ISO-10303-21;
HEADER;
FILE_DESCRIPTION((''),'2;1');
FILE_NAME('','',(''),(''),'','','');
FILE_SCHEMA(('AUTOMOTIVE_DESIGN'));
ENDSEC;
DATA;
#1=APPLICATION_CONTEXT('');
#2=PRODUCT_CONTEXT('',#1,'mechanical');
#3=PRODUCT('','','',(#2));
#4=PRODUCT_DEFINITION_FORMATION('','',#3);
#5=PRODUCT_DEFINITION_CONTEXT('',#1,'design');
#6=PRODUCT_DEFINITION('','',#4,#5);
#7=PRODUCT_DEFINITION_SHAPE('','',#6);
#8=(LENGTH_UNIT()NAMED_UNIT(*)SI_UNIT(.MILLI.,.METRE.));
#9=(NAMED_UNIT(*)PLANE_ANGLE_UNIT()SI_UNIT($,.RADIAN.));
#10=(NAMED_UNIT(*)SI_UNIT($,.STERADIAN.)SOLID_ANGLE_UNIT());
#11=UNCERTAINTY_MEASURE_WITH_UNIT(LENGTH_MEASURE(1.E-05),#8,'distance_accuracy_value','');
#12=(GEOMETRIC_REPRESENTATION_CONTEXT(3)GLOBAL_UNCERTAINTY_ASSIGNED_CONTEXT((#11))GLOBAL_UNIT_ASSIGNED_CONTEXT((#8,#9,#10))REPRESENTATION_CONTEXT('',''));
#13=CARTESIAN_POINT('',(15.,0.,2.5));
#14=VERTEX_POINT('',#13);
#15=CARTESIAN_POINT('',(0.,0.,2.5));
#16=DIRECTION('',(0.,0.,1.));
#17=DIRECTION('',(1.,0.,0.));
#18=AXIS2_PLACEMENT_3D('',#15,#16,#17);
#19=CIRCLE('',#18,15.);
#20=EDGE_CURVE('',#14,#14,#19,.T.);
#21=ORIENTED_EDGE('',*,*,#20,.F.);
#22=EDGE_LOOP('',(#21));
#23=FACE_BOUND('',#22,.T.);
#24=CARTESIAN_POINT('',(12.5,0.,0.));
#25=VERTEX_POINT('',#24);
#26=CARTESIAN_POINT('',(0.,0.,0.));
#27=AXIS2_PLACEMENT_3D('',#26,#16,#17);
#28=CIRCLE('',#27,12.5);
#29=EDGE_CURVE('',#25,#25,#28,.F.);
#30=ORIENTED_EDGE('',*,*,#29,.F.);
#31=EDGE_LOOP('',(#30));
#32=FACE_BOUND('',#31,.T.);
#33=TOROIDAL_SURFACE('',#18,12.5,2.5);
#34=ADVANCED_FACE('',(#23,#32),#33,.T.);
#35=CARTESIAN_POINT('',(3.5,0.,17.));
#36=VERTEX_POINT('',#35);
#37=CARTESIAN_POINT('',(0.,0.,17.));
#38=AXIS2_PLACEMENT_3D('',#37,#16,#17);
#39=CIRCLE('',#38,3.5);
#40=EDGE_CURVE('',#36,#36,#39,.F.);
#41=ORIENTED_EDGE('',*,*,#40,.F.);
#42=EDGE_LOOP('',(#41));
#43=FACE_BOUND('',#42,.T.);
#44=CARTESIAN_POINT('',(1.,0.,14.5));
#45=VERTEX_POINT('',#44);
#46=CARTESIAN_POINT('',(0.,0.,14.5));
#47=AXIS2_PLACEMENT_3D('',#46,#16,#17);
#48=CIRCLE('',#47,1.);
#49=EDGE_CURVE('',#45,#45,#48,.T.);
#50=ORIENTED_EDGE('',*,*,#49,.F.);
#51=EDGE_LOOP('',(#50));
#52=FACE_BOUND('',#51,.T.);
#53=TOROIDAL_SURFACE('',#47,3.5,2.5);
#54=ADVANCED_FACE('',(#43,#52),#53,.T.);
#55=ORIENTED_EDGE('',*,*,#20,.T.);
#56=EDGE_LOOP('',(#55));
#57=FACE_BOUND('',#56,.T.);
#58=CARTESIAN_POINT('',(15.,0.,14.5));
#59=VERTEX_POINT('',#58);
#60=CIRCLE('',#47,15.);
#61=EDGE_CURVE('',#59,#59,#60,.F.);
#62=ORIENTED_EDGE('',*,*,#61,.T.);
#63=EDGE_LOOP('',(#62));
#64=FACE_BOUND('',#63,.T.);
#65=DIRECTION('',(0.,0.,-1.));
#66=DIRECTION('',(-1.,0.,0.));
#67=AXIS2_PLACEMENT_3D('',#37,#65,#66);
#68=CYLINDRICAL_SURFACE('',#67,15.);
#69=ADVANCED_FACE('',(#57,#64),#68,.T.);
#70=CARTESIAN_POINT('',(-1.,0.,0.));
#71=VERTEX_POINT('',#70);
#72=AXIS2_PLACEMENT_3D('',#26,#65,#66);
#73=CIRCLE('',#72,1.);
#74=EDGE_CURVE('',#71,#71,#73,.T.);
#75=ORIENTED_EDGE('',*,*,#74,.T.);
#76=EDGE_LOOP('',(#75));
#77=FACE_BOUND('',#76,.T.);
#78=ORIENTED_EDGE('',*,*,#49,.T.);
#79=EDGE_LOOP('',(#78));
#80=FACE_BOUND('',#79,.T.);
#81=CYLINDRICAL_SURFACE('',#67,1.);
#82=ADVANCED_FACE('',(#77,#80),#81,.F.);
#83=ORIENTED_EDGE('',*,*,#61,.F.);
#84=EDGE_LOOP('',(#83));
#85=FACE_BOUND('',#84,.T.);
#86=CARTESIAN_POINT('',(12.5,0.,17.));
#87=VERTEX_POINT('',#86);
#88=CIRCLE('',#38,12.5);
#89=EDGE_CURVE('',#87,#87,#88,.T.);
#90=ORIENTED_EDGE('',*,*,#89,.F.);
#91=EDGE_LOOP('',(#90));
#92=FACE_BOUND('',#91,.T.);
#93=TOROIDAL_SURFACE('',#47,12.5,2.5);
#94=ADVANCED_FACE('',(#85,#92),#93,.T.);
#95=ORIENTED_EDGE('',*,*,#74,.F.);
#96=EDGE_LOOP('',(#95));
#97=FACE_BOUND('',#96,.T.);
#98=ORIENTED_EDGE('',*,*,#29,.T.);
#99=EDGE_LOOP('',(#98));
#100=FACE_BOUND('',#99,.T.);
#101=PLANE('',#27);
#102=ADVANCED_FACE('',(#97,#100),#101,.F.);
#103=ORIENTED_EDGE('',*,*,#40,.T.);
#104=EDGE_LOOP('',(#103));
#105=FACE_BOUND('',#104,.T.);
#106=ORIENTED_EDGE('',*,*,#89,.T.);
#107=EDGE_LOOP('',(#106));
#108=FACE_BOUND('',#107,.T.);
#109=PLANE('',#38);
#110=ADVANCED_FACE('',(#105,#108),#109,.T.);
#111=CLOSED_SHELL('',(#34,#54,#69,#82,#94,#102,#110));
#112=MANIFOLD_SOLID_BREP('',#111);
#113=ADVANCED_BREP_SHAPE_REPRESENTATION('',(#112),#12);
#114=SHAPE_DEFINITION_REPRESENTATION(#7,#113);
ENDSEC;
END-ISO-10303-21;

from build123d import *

# Parameters (mm, degrees)
SKETCH1_R           = 15
BOSS_EXTRUDE1_DEPTH = 17
SKETCH2_R           = 1
CUT_EXTRUDE1_DEPTH  = 17
FILLET3_R           = 2.5


with BuildPart() as part:
    # Sketch1 → Boss-Extrude1 (new body)
    with BuildSketch(Plane.XY):
        Circle(SKETCH1_R)
    extrude(amount=BOSS_EXTRUDE1_DEPTH)

    # Sketch2 → Cut-Extrude1 (cut)
    with BuildSketch(Plane(origin=(0, 0, 0), x_dir=(-1, 0, 0), z_dir=(0, 0, -1))):
        Circle(SKETCH2_R)
    extrude(amount=-CUT_EXTRUDE1_DEPTH, mode=Mode.SUBTRACT)

    # Fillet3
    fillet3_edges = [part.edges().sort_by_distance(p)[0] for p in [
        (-15, 0, 0),
        (-15, 0, 17),
        (1, 0, 17),
    ]]
    fillet(fillet3_edges, radius=FILLET3_R)


solid = part.part
